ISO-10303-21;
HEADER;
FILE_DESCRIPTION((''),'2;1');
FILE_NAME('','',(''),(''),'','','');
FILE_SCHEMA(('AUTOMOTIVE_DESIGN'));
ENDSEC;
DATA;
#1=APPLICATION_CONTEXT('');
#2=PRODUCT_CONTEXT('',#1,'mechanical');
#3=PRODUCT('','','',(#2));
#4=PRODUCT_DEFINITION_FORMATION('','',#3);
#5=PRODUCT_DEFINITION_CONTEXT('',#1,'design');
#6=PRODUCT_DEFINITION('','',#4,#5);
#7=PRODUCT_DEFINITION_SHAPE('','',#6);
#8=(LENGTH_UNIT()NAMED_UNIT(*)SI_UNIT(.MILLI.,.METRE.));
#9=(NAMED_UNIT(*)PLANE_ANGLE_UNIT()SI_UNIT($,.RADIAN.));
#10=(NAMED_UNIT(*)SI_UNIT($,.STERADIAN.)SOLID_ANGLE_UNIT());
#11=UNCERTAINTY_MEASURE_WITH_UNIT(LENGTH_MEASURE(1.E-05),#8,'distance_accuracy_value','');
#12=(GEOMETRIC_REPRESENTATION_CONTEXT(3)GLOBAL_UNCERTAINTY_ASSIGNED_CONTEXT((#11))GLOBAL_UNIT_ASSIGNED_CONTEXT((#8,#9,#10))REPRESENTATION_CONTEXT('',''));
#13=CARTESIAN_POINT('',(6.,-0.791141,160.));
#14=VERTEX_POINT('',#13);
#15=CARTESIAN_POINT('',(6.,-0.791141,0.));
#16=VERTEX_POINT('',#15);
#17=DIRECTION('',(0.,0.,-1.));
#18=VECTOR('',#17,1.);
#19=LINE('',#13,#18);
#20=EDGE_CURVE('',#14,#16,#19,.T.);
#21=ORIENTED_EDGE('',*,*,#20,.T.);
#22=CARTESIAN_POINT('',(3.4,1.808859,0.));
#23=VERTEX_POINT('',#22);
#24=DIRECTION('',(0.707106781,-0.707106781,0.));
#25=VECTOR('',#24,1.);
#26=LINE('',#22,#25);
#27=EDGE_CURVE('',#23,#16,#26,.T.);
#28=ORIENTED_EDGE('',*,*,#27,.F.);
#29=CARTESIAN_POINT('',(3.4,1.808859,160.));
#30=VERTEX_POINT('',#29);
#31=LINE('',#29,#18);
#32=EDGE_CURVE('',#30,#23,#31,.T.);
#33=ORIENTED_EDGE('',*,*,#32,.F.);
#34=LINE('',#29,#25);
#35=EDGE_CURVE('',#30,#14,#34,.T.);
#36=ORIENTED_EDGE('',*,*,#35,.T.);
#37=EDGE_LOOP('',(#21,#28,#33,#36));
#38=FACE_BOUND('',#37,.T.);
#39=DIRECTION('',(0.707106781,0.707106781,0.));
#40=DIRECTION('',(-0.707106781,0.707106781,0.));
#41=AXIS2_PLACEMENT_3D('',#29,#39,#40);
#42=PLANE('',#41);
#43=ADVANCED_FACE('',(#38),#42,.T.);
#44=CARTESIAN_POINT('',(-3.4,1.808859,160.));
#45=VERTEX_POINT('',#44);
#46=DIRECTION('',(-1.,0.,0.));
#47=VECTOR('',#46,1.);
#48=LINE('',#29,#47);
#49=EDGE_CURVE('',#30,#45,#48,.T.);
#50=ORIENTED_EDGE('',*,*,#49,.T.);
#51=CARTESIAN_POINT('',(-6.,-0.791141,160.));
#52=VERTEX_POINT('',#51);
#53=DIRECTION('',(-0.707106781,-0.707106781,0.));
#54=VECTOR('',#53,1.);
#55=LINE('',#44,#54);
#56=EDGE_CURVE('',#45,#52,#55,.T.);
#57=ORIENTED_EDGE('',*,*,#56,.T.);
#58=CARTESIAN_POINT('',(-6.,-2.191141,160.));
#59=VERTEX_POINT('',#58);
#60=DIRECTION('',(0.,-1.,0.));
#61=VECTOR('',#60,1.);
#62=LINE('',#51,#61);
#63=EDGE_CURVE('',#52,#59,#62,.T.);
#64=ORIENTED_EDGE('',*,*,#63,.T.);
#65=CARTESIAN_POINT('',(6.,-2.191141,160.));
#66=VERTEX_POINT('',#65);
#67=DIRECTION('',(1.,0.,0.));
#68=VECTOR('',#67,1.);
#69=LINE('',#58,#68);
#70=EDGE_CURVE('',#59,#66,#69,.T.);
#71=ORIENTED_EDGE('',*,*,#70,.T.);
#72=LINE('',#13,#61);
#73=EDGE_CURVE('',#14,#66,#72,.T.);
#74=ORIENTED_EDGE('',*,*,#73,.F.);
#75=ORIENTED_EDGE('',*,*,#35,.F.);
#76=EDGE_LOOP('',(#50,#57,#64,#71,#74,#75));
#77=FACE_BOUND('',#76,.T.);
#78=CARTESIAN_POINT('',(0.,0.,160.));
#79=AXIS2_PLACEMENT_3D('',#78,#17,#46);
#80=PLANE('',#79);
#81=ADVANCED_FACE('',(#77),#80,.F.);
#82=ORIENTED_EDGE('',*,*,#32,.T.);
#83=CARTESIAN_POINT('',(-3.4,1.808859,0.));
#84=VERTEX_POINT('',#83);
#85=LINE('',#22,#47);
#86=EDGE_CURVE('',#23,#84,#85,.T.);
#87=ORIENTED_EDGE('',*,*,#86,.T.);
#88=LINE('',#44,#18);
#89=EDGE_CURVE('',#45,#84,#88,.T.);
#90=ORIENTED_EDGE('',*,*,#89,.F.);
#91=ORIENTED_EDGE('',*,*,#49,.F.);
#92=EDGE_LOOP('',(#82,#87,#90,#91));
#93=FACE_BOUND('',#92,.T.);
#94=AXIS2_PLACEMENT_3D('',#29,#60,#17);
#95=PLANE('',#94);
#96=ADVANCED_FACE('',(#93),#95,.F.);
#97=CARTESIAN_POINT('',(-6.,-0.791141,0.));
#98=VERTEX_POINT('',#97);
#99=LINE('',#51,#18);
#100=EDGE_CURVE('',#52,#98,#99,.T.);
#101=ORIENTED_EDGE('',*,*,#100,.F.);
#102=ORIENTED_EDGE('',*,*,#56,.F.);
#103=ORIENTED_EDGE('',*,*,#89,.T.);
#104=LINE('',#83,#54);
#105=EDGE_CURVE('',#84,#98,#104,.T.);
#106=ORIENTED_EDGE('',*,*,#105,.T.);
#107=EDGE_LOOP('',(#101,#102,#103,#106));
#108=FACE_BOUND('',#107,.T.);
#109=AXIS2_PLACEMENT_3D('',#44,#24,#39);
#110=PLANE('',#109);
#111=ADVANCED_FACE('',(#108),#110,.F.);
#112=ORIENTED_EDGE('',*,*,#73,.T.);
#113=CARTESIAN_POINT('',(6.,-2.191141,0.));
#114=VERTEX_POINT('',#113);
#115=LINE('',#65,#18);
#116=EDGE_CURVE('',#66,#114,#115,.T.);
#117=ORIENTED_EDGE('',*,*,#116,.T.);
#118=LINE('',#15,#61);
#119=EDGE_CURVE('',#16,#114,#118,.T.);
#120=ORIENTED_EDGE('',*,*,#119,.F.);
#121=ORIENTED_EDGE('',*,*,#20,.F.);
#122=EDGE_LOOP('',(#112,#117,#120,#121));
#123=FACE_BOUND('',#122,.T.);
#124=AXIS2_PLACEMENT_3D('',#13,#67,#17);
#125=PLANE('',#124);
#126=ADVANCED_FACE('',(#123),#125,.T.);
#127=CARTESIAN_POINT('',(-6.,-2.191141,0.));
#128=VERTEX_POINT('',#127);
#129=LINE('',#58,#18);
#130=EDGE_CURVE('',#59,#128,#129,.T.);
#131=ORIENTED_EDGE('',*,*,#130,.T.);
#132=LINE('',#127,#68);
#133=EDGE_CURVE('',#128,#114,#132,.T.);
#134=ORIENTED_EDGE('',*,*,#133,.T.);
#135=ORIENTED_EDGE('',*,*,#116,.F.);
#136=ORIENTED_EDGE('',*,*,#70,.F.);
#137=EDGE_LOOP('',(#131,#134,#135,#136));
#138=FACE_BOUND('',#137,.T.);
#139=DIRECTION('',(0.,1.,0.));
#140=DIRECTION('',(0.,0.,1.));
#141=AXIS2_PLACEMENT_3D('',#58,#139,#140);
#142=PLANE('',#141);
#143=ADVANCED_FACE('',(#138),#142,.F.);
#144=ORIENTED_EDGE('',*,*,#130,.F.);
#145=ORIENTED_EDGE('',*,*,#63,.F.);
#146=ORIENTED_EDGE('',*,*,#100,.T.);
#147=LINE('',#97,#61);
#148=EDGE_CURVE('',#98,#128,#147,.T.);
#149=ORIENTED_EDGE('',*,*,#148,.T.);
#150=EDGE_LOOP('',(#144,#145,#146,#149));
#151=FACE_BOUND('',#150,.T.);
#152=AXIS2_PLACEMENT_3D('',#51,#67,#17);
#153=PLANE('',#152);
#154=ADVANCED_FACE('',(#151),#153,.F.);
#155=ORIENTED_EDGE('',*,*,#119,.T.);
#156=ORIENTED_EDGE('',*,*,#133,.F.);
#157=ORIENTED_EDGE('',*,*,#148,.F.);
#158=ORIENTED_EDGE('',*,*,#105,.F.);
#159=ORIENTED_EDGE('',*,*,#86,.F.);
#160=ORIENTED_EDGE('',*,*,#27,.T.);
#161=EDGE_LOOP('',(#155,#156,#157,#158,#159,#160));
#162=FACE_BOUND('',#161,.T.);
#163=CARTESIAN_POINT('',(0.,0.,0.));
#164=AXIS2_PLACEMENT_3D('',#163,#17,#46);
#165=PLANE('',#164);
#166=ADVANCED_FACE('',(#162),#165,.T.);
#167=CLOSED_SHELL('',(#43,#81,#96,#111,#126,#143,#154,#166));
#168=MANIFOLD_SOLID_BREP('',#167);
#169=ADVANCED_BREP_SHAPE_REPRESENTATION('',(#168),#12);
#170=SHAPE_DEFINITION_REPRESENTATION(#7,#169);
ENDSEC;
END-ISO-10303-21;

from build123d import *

# Parameters (mm, degrees)
AUFSATZ_LINEAR_AUSTRAGEN1_DEPTH = 160


with BuildPart() as part:
    # Skizze1 → Aufsatz-Linear austragen1 (new body)
    with BuildSketch(Plane.XY):
        Polygon((3.4, 1.808858787), (-3.4, 1.808858787), (-6, -0.791141213), (-6, -2.191141213), (6, -2.191141213), (6, -0.791141213), align=None)
    extrude(amount=AUFSATZ_LINEAR_AUSTRAGEN1_DEPTH)


solid = part.part
